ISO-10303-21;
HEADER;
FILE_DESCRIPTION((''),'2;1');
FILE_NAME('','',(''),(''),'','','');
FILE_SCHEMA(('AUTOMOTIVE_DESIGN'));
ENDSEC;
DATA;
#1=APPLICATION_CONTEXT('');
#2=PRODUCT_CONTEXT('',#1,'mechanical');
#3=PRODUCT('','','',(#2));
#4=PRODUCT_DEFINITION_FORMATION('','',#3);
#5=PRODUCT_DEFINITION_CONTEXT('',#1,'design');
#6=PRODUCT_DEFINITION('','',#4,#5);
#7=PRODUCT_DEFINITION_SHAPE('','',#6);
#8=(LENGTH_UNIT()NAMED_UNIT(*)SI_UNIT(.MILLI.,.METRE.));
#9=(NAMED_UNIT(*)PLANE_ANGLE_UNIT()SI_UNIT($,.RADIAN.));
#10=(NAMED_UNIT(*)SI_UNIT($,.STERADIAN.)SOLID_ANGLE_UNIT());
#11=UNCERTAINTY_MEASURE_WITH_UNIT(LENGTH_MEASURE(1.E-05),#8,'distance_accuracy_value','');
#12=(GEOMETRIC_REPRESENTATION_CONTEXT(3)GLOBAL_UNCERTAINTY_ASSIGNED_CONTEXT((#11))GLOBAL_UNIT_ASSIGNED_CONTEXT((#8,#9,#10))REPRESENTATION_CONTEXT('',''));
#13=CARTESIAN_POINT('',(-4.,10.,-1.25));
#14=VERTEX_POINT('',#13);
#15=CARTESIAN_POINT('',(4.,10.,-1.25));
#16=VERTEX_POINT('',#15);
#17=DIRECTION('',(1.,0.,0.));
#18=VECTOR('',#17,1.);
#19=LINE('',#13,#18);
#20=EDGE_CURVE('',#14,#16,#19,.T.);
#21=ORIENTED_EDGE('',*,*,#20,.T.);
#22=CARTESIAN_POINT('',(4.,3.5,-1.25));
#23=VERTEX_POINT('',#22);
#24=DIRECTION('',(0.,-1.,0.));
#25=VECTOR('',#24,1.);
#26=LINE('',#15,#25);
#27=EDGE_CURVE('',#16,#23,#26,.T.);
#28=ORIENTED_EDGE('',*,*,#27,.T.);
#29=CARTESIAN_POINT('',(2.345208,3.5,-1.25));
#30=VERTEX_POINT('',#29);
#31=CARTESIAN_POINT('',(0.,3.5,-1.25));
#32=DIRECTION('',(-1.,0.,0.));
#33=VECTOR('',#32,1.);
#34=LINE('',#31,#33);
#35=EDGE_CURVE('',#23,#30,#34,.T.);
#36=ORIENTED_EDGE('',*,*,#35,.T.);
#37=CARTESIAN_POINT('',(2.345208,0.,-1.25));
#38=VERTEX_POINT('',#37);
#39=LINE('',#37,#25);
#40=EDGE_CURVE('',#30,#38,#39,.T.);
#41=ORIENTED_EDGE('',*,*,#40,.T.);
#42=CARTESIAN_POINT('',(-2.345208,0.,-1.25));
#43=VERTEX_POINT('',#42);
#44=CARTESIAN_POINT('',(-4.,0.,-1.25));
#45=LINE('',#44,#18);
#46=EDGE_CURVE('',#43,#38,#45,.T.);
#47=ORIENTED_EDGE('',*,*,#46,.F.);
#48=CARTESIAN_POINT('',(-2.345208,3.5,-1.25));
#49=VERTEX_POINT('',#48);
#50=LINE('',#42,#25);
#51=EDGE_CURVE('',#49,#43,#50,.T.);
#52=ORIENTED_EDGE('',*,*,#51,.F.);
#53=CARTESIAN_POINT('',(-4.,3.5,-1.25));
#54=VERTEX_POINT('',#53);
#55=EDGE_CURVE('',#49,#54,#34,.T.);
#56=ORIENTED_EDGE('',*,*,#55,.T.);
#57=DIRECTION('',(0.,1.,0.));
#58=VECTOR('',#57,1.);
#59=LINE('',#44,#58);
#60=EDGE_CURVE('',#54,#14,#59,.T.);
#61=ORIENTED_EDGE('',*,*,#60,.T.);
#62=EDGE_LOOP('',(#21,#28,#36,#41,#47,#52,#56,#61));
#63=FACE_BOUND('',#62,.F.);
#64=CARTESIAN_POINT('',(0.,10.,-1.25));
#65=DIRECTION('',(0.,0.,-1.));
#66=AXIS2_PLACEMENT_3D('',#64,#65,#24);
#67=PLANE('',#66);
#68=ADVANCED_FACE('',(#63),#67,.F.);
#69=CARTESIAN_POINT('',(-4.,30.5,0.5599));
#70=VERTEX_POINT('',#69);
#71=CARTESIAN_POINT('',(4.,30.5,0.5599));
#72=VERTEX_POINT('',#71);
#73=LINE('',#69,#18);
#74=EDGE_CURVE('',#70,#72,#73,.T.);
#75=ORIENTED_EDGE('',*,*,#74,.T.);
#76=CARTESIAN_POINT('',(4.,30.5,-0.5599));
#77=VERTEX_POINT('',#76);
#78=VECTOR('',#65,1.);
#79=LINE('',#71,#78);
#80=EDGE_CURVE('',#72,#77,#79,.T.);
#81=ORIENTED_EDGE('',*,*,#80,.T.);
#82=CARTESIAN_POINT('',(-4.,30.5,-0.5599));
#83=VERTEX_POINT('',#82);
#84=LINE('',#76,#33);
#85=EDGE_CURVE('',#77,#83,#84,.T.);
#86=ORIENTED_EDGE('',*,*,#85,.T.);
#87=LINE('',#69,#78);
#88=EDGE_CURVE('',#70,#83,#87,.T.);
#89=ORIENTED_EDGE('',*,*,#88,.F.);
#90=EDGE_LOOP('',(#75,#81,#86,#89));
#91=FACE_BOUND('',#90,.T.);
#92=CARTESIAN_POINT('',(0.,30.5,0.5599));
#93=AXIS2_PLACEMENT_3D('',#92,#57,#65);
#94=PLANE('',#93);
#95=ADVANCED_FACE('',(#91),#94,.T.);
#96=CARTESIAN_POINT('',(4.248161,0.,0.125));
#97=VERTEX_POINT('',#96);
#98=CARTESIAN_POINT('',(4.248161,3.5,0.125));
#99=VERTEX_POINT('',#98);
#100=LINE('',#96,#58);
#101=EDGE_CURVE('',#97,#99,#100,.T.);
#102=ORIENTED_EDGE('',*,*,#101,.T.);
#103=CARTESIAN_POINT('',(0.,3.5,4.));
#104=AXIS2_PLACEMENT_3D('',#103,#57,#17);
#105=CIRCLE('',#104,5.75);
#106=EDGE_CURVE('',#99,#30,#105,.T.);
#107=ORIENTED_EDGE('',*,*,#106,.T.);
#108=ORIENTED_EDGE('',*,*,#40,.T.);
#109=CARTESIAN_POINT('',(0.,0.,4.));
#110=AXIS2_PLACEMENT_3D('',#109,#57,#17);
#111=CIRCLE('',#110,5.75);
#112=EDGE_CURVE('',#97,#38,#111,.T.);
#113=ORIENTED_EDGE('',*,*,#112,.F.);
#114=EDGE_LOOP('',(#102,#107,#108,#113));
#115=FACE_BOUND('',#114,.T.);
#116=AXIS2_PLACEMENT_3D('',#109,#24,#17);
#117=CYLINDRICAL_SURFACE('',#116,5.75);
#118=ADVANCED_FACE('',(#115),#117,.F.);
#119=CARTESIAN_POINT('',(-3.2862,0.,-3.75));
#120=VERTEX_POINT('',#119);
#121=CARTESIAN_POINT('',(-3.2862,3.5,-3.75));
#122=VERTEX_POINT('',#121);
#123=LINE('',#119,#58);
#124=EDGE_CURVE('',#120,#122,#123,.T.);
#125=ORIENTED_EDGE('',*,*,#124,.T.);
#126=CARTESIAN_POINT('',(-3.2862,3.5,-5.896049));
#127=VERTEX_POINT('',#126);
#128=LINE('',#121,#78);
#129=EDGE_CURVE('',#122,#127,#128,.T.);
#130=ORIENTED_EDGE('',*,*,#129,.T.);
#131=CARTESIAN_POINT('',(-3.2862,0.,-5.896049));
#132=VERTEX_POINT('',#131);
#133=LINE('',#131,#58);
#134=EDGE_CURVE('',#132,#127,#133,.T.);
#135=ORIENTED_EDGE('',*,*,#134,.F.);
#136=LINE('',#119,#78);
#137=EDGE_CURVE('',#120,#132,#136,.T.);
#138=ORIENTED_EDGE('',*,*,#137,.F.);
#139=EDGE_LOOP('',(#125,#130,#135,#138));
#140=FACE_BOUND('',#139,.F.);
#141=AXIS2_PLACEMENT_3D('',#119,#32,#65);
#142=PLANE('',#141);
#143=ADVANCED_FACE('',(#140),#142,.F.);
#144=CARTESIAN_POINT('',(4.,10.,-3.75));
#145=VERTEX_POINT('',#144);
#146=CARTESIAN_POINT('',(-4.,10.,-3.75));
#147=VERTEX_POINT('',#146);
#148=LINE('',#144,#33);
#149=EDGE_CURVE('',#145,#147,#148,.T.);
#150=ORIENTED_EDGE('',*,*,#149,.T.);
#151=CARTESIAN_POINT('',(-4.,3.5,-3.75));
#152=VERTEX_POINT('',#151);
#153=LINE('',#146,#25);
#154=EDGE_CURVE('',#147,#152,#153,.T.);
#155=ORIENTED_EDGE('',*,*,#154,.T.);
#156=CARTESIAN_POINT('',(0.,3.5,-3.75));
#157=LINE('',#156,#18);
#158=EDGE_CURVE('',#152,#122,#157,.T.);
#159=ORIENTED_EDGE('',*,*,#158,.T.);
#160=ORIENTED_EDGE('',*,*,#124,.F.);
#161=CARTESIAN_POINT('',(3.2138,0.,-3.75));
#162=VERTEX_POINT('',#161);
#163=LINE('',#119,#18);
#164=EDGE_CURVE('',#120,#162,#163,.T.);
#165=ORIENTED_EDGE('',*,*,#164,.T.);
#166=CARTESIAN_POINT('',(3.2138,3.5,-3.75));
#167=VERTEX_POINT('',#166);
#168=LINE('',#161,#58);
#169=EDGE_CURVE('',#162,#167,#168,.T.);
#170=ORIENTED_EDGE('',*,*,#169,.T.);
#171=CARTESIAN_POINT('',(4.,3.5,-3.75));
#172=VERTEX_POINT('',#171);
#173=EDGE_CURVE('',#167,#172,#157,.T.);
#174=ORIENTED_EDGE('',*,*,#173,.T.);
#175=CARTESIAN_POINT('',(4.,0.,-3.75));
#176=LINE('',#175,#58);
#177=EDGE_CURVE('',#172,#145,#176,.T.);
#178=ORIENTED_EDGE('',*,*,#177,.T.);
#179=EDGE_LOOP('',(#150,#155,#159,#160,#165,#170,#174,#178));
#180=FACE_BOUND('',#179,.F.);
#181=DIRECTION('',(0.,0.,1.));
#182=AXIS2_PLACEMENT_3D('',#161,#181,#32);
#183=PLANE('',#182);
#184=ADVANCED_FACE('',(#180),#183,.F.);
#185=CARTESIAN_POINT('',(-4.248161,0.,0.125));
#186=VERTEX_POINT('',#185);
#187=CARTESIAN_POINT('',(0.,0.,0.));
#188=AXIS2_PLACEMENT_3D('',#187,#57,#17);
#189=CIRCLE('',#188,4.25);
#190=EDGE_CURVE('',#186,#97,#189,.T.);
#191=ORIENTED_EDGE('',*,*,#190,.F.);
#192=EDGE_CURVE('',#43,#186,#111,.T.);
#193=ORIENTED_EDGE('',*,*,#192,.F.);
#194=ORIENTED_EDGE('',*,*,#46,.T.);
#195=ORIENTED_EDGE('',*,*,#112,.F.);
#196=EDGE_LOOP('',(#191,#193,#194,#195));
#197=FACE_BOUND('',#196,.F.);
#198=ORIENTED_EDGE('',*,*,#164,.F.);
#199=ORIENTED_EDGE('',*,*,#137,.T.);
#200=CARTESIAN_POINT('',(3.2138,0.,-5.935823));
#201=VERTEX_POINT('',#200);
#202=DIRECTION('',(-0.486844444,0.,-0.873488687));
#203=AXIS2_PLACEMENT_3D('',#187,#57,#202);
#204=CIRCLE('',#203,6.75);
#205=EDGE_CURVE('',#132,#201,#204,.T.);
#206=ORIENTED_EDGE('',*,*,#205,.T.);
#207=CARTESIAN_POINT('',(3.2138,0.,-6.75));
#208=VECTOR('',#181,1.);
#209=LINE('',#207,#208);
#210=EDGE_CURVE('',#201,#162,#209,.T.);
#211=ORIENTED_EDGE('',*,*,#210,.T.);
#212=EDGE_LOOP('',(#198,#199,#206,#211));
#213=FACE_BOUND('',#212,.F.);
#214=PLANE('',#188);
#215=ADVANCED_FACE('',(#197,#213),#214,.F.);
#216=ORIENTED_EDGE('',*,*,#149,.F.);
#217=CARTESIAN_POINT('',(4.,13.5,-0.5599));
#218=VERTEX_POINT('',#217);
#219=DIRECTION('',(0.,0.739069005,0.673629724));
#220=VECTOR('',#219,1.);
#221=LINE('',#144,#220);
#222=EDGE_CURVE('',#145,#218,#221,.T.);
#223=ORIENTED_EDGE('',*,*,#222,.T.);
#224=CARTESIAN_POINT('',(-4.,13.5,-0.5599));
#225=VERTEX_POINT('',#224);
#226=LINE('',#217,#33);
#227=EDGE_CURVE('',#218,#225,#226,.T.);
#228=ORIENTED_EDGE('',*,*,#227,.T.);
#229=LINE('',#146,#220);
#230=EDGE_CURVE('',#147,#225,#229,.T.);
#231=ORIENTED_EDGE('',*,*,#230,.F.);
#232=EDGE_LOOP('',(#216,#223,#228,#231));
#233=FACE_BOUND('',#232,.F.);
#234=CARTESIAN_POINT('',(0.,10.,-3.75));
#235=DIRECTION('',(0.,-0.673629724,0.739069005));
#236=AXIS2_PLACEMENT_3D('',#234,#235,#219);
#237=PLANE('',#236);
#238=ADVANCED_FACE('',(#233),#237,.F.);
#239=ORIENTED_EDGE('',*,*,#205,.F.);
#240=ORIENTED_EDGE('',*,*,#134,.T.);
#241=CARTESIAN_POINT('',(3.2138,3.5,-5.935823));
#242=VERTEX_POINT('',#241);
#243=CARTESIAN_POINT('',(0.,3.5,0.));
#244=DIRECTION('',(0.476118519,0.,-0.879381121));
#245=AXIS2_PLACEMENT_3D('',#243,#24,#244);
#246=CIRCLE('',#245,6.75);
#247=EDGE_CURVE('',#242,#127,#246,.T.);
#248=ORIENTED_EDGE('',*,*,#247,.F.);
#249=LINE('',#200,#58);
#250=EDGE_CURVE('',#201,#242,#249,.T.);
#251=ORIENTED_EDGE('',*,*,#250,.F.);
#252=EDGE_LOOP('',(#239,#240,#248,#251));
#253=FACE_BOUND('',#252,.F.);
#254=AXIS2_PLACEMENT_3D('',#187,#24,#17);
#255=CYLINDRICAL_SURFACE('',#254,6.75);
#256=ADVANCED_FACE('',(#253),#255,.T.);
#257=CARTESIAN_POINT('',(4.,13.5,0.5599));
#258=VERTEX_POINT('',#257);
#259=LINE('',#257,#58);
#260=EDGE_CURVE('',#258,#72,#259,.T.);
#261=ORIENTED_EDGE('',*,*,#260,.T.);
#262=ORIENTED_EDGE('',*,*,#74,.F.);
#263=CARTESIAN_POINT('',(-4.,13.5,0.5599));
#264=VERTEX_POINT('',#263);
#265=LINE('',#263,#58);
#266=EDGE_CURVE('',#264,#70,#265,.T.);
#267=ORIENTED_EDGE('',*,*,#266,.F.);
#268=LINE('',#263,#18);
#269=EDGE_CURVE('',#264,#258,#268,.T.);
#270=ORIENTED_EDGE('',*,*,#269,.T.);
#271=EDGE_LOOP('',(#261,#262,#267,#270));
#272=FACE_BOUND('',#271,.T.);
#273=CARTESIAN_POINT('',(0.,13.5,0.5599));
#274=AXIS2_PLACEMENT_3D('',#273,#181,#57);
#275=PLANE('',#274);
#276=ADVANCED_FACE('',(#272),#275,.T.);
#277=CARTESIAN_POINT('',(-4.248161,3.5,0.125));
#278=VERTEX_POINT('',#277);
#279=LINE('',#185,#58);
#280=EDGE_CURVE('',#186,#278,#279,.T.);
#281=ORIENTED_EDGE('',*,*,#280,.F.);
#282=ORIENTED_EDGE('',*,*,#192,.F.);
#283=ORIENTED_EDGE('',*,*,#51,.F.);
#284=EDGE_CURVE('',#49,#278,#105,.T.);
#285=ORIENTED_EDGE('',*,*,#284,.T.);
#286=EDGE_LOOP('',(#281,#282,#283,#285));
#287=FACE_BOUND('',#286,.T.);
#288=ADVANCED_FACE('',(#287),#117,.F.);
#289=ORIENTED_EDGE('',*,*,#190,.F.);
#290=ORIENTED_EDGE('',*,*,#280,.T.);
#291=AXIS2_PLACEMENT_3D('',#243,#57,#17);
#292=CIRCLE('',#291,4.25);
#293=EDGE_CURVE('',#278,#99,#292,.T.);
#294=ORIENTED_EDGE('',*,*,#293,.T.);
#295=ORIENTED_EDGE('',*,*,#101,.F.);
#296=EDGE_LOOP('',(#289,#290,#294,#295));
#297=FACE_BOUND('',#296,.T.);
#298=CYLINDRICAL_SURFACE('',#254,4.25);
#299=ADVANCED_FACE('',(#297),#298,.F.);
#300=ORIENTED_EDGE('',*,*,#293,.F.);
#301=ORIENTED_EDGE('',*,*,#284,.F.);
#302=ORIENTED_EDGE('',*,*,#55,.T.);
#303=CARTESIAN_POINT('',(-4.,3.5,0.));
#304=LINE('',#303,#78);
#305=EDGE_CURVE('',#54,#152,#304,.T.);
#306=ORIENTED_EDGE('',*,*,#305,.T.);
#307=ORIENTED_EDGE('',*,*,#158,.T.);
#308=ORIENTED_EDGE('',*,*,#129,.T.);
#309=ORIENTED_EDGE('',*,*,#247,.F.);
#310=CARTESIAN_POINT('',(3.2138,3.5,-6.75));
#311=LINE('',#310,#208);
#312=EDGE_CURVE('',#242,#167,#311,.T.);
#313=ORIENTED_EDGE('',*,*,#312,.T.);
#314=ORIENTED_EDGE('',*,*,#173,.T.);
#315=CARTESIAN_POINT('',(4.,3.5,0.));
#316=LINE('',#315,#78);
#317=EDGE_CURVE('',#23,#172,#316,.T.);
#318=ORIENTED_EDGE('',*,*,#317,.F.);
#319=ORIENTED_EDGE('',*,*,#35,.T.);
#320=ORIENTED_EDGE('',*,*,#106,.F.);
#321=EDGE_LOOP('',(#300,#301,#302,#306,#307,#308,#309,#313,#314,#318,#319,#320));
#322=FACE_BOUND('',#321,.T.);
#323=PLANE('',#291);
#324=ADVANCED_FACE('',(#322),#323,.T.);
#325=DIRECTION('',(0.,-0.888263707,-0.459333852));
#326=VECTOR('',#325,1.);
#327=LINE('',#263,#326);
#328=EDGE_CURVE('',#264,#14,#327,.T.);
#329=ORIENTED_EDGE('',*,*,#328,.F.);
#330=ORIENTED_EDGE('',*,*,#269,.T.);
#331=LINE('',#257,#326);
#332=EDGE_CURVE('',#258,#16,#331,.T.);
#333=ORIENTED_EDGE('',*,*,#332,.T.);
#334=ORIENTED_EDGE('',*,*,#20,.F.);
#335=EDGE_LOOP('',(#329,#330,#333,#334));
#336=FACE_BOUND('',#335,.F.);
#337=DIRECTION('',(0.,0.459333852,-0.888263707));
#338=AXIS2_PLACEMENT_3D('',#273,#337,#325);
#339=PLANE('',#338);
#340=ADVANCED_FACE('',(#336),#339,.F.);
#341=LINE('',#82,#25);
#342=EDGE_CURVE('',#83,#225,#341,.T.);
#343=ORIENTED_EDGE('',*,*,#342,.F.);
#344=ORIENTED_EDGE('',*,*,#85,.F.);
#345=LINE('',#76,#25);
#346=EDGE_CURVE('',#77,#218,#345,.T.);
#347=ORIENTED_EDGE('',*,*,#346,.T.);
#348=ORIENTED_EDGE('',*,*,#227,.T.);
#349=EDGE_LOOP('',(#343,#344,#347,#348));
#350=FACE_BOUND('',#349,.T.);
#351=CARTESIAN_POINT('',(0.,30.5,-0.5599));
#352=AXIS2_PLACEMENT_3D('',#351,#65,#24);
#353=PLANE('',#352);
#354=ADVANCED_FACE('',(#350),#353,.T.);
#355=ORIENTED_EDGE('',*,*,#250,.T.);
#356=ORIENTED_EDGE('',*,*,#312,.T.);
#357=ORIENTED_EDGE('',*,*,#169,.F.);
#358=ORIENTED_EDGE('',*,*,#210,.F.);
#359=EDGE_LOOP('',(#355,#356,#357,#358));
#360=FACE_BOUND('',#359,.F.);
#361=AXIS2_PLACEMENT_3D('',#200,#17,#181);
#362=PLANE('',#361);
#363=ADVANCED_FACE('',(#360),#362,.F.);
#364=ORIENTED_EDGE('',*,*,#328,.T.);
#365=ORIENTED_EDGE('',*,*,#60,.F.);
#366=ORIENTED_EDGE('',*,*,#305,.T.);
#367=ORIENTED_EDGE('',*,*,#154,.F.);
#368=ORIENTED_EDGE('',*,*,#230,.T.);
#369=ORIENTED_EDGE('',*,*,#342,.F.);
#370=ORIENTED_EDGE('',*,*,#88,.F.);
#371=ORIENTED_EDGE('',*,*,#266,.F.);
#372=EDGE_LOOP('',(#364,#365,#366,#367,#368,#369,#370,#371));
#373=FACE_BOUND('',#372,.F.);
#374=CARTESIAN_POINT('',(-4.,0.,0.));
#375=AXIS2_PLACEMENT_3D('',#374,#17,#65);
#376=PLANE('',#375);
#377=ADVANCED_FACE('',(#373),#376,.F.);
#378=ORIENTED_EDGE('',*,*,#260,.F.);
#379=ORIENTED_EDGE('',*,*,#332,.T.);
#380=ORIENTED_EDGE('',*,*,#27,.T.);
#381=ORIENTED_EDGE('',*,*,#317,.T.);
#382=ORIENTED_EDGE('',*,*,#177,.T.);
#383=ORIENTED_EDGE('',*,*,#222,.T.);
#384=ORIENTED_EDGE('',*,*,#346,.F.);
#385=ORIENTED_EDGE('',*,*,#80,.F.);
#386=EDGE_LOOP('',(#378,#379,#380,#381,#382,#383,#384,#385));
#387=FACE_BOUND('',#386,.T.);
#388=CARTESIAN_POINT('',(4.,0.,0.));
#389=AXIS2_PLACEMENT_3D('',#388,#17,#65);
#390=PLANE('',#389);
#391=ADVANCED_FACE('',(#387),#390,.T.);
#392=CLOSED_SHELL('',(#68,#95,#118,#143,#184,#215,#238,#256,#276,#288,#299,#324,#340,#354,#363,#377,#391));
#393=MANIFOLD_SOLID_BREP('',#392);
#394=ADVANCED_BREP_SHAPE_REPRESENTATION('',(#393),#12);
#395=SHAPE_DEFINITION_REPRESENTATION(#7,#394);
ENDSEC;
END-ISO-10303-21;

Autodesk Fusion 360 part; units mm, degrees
sketch "Sketch2" plane through (0, 0, 0) normal (0, 1, 0) x (1, 0, 0)
  circle A0 centre (0, 0) radius 6.75
  circle A1 centre (0, 0) radius 4.25
  line L0 (-3.2862, 6.75) -> (3.2138, 6.75)
  line L1 (3.2138, 6.75) -> (3.2138, 3.75)
  line L2 (3.2138, 3.75) -> (-3.2862, 3.75)
  line L3 (-3.2862, 3.75) -> (-3.2862, 6.75)
  circle A2 centre (0, -4) radius 5.75
  dimension "d1" = 13.5
  dimension "d2" = 8.5
  dimension "d3" = 6.5
  dimension "d4" = 3
  dimension "d5" = 11.5
extrude "Extrude1" add sketch "Sketch2" along normal blind 3.5 contours A0 A1 L1 L2 A2 | A0 A1 A2 | A0 A1 L2 L3 A2 | A1 L2 A2
sketch "Sketch4" plane through (0, 0, 0) normal (1, 0, 0) x (0, 0, -1)
  line L0 (-0.5599, 30.5) -> (0.5599, 30.5)
  line L1 (0.5599, 30.5) -> (0.5599, 13.5)
  line L2 (0.5599, 13.5) -> (-0.5599, 13.5)
  line L3 (-0.5599, 13.5) -> (-0.5599, 30.5)
  line L4 (-0.5599, 30.5) -> (0.5599, 13.5) construction
  line L5 (0.5599, 30.5) -> (-0.5599, 13.5) construction
  line L6 (5.9358, 3.5) -> (-6.75, 3.5)
  line L7 (3.75, 10) -> (1.25, 10)
  line L8 (1.25, 10) -> (1.25, 0)
  line L9 (1.25, 0) -> (3.75, 0)
  line L10 (3.75, 0) -> (3.75, 10)
  line L11 (3.75, 10) -> (0.5599, 13.5)
  line L12 (-0.5599, 13.5) -> (1.25, 10)
  point P0 (0, 22)
  dimension "d8" = 17
  dimension "d9" = 18.5
  dimension "d10" = 2.5
  dimension "d11" = 1.25
  dimension "d12" = 10
extrude "Extrude2" add sketch "Sketch4" along normal mid plane 8
